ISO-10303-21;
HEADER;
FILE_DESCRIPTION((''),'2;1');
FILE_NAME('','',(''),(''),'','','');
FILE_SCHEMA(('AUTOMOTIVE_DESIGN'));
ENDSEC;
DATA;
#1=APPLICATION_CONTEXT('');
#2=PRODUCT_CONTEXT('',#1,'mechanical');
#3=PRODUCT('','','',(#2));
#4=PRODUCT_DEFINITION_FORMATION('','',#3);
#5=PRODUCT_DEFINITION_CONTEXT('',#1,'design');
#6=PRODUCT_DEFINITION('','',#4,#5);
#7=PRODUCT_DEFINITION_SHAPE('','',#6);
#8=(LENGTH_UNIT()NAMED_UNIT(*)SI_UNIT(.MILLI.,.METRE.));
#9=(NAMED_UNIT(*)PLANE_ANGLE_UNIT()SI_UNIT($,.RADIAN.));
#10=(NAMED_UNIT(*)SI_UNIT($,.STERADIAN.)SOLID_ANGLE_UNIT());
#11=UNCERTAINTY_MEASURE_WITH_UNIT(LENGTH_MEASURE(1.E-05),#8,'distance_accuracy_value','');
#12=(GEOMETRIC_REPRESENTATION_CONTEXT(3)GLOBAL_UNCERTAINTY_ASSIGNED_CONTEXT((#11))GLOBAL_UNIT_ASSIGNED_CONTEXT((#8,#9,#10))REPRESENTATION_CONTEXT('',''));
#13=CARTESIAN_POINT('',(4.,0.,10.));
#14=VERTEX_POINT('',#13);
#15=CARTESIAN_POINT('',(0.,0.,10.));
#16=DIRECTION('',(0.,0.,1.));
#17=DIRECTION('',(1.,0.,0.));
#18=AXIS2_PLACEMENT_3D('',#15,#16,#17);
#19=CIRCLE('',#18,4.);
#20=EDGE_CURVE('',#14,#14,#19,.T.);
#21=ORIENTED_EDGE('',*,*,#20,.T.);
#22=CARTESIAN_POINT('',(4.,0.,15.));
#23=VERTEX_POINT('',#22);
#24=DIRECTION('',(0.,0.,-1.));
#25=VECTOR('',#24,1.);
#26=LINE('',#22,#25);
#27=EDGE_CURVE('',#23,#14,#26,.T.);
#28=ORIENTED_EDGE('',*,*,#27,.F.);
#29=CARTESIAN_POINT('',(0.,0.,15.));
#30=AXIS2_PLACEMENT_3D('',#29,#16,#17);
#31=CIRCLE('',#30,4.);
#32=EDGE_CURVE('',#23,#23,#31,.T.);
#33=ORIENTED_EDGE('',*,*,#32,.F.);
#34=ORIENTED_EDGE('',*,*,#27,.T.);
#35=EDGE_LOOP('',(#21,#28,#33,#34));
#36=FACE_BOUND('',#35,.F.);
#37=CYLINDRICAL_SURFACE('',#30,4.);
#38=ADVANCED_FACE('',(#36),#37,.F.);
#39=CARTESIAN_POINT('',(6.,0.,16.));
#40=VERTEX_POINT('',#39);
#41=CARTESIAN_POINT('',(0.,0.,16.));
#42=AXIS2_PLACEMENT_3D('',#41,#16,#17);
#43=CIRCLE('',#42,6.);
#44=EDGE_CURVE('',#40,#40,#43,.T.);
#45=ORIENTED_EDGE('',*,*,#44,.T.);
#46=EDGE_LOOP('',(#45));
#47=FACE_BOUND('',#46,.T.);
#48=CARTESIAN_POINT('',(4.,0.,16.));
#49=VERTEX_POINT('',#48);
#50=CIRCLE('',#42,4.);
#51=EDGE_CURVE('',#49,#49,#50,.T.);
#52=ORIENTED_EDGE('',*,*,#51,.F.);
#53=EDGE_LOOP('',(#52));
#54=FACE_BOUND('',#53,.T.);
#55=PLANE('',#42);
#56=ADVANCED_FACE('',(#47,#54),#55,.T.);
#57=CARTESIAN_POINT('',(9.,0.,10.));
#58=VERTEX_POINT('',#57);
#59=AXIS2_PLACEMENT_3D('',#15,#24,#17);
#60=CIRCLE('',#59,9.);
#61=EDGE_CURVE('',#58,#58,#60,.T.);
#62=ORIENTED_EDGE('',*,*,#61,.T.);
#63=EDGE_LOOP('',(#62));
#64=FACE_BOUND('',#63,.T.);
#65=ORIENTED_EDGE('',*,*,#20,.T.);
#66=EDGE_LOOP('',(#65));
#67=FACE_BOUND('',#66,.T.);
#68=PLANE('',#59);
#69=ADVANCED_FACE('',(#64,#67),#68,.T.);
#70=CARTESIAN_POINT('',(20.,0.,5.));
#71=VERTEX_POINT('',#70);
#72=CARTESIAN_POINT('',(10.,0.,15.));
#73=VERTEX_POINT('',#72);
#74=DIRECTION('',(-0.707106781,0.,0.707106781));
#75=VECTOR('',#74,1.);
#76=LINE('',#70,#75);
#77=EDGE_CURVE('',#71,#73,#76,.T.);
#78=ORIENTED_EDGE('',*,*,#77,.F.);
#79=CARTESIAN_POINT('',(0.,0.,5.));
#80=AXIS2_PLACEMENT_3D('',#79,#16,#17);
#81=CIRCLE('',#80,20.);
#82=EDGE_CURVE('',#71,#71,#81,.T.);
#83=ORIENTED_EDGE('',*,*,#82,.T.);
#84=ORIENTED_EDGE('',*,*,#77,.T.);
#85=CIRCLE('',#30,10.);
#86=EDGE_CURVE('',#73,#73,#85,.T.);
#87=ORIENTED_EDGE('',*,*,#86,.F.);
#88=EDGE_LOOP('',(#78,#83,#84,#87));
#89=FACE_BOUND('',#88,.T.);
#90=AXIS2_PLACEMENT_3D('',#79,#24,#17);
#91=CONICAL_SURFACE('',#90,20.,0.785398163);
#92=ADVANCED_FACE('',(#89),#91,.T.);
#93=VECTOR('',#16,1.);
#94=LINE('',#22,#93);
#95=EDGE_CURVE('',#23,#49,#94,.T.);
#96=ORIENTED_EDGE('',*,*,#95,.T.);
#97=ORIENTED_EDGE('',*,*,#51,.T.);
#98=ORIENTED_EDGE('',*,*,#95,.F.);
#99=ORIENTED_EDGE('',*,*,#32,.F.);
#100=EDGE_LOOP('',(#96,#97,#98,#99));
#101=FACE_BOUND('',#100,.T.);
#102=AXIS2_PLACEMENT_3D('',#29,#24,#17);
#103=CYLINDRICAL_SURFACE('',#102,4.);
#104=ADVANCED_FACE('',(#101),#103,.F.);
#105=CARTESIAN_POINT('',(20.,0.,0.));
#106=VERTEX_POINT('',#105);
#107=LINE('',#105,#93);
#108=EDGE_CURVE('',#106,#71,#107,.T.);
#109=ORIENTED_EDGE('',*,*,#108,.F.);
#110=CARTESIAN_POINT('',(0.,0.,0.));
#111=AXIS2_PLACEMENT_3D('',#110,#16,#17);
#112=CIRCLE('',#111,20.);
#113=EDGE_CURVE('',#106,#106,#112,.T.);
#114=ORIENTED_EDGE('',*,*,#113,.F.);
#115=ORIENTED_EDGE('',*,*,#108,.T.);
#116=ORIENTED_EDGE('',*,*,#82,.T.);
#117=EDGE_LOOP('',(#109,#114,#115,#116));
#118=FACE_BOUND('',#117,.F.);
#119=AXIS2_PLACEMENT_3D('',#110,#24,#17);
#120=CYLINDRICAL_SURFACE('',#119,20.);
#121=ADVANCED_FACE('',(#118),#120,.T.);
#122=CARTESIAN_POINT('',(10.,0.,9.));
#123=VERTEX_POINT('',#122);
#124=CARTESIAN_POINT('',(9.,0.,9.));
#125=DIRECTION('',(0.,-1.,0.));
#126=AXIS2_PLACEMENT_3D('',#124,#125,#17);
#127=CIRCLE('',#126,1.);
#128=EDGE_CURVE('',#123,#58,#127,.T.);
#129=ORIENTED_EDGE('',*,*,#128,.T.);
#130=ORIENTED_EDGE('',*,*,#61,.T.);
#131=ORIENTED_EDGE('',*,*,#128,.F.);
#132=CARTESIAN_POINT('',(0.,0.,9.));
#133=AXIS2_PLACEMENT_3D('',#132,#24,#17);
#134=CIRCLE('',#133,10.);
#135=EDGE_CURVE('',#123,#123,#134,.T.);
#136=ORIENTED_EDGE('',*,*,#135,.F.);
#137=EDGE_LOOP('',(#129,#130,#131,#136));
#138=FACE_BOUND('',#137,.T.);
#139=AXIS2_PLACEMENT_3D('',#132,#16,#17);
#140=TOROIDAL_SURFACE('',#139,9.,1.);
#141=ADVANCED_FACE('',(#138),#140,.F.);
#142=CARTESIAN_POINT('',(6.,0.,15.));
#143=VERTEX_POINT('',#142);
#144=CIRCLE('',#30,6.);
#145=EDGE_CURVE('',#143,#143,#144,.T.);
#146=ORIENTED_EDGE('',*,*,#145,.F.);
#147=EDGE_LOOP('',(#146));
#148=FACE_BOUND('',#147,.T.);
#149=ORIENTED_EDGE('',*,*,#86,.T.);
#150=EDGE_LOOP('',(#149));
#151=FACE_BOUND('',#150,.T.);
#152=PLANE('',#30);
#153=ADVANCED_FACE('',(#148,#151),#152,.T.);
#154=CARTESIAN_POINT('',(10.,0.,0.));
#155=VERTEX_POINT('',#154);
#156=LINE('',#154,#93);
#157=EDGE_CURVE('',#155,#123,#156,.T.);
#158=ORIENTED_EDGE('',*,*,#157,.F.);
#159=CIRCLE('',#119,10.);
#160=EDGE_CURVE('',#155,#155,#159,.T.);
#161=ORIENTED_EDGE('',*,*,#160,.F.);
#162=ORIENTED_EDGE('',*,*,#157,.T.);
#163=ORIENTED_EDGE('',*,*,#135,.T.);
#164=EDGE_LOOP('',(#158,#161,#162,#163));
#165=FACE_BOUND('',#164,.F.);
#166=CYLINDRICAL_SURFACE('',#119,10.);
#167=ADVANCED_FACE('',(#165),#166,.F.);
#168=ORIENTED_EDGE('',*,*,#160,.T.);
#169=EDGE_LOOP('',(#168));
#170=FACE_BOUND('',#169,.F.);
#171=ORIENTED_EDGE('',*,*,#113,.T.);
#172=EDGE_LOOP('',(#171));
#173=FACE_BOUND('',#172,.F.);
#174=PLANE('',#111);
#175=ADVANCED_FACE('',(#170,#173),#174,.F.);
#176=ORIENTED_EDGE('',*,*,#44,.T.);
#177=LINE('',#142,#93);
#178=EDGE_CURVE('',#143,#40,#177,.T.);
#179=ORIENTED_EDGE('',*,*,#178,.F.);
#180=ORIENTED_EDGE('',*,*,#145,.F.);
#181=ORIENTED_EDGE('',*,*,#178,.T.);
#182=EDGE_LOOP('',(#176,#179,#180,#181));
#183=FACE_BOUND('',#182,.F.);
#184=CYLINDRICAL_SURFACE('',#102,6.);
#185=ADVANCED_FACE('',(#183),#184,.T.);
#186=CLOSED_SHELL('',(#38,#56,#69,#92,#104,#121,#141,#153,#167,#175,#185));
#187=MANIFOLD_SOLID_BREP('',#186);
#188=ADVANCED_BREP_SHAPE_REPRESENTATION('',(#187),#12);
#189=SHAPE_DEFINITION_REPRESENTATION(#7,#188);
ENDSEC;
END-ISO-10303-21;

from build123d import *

# Parameters (mm, degrees)
F0_R     = 20
F1_DEPTH = 15
F2_SIZE  = 10
F3_R     = 6
F3_R_2   = 4
F4_DEPTH = 1
F5_R     = 4
F6_DEPTH = 15.001
F7_R     = 10
F8_DEPTH = 10
F9_R     = 1


with BuildPart() as f1:
    # F0 (on Top) → F1 (new body)
    with BuildSketch(Plane.XY):
        Circle(F0_R)
    extrude(amount=F1_DEPTH)

    # F2
    f2_edges = [f1.edges().sort_by_distance(p)[0] for p in [
        (-20, 0, 15),
    ]]
    chamfer(f2_edges, length=F2_SIZE)

    # F3 (on face) → F4 (join)
    with BuildSketch(Plane.XY.offset(15)):
        Circle(F3_R)
        Circle(F3_R_2, mode=Mode.SUBTRACT)
    extrude(amount=F4_DEPTH)

    # F5 (on face) → F6 (cut, through all)
    with BuildSketch(Plane.XY.offset(15)):
        Circle(F5_R)
    extrude(amount=-F6_DEPTH, mode=Mode.SUBTRACT)

    # F7 (on face) → F8 (cut)
    with BuildSketch(Plane(origin=(0, 0, 0), x_dir=(1, 0, 0), z_dir=(0, 0, -1))):
        Circle(F7_R)
    extrude(amount=-F8_DEPTH, mode=Mode.SUBTRACT)

    # F9
    f9_edges = [f1.edges().sort_by_distance(p)[0] for p in [
        (-10, 0, 10),
    ]]
    fillet(f9_edges, radius=F9_R)


solid = f1.part
